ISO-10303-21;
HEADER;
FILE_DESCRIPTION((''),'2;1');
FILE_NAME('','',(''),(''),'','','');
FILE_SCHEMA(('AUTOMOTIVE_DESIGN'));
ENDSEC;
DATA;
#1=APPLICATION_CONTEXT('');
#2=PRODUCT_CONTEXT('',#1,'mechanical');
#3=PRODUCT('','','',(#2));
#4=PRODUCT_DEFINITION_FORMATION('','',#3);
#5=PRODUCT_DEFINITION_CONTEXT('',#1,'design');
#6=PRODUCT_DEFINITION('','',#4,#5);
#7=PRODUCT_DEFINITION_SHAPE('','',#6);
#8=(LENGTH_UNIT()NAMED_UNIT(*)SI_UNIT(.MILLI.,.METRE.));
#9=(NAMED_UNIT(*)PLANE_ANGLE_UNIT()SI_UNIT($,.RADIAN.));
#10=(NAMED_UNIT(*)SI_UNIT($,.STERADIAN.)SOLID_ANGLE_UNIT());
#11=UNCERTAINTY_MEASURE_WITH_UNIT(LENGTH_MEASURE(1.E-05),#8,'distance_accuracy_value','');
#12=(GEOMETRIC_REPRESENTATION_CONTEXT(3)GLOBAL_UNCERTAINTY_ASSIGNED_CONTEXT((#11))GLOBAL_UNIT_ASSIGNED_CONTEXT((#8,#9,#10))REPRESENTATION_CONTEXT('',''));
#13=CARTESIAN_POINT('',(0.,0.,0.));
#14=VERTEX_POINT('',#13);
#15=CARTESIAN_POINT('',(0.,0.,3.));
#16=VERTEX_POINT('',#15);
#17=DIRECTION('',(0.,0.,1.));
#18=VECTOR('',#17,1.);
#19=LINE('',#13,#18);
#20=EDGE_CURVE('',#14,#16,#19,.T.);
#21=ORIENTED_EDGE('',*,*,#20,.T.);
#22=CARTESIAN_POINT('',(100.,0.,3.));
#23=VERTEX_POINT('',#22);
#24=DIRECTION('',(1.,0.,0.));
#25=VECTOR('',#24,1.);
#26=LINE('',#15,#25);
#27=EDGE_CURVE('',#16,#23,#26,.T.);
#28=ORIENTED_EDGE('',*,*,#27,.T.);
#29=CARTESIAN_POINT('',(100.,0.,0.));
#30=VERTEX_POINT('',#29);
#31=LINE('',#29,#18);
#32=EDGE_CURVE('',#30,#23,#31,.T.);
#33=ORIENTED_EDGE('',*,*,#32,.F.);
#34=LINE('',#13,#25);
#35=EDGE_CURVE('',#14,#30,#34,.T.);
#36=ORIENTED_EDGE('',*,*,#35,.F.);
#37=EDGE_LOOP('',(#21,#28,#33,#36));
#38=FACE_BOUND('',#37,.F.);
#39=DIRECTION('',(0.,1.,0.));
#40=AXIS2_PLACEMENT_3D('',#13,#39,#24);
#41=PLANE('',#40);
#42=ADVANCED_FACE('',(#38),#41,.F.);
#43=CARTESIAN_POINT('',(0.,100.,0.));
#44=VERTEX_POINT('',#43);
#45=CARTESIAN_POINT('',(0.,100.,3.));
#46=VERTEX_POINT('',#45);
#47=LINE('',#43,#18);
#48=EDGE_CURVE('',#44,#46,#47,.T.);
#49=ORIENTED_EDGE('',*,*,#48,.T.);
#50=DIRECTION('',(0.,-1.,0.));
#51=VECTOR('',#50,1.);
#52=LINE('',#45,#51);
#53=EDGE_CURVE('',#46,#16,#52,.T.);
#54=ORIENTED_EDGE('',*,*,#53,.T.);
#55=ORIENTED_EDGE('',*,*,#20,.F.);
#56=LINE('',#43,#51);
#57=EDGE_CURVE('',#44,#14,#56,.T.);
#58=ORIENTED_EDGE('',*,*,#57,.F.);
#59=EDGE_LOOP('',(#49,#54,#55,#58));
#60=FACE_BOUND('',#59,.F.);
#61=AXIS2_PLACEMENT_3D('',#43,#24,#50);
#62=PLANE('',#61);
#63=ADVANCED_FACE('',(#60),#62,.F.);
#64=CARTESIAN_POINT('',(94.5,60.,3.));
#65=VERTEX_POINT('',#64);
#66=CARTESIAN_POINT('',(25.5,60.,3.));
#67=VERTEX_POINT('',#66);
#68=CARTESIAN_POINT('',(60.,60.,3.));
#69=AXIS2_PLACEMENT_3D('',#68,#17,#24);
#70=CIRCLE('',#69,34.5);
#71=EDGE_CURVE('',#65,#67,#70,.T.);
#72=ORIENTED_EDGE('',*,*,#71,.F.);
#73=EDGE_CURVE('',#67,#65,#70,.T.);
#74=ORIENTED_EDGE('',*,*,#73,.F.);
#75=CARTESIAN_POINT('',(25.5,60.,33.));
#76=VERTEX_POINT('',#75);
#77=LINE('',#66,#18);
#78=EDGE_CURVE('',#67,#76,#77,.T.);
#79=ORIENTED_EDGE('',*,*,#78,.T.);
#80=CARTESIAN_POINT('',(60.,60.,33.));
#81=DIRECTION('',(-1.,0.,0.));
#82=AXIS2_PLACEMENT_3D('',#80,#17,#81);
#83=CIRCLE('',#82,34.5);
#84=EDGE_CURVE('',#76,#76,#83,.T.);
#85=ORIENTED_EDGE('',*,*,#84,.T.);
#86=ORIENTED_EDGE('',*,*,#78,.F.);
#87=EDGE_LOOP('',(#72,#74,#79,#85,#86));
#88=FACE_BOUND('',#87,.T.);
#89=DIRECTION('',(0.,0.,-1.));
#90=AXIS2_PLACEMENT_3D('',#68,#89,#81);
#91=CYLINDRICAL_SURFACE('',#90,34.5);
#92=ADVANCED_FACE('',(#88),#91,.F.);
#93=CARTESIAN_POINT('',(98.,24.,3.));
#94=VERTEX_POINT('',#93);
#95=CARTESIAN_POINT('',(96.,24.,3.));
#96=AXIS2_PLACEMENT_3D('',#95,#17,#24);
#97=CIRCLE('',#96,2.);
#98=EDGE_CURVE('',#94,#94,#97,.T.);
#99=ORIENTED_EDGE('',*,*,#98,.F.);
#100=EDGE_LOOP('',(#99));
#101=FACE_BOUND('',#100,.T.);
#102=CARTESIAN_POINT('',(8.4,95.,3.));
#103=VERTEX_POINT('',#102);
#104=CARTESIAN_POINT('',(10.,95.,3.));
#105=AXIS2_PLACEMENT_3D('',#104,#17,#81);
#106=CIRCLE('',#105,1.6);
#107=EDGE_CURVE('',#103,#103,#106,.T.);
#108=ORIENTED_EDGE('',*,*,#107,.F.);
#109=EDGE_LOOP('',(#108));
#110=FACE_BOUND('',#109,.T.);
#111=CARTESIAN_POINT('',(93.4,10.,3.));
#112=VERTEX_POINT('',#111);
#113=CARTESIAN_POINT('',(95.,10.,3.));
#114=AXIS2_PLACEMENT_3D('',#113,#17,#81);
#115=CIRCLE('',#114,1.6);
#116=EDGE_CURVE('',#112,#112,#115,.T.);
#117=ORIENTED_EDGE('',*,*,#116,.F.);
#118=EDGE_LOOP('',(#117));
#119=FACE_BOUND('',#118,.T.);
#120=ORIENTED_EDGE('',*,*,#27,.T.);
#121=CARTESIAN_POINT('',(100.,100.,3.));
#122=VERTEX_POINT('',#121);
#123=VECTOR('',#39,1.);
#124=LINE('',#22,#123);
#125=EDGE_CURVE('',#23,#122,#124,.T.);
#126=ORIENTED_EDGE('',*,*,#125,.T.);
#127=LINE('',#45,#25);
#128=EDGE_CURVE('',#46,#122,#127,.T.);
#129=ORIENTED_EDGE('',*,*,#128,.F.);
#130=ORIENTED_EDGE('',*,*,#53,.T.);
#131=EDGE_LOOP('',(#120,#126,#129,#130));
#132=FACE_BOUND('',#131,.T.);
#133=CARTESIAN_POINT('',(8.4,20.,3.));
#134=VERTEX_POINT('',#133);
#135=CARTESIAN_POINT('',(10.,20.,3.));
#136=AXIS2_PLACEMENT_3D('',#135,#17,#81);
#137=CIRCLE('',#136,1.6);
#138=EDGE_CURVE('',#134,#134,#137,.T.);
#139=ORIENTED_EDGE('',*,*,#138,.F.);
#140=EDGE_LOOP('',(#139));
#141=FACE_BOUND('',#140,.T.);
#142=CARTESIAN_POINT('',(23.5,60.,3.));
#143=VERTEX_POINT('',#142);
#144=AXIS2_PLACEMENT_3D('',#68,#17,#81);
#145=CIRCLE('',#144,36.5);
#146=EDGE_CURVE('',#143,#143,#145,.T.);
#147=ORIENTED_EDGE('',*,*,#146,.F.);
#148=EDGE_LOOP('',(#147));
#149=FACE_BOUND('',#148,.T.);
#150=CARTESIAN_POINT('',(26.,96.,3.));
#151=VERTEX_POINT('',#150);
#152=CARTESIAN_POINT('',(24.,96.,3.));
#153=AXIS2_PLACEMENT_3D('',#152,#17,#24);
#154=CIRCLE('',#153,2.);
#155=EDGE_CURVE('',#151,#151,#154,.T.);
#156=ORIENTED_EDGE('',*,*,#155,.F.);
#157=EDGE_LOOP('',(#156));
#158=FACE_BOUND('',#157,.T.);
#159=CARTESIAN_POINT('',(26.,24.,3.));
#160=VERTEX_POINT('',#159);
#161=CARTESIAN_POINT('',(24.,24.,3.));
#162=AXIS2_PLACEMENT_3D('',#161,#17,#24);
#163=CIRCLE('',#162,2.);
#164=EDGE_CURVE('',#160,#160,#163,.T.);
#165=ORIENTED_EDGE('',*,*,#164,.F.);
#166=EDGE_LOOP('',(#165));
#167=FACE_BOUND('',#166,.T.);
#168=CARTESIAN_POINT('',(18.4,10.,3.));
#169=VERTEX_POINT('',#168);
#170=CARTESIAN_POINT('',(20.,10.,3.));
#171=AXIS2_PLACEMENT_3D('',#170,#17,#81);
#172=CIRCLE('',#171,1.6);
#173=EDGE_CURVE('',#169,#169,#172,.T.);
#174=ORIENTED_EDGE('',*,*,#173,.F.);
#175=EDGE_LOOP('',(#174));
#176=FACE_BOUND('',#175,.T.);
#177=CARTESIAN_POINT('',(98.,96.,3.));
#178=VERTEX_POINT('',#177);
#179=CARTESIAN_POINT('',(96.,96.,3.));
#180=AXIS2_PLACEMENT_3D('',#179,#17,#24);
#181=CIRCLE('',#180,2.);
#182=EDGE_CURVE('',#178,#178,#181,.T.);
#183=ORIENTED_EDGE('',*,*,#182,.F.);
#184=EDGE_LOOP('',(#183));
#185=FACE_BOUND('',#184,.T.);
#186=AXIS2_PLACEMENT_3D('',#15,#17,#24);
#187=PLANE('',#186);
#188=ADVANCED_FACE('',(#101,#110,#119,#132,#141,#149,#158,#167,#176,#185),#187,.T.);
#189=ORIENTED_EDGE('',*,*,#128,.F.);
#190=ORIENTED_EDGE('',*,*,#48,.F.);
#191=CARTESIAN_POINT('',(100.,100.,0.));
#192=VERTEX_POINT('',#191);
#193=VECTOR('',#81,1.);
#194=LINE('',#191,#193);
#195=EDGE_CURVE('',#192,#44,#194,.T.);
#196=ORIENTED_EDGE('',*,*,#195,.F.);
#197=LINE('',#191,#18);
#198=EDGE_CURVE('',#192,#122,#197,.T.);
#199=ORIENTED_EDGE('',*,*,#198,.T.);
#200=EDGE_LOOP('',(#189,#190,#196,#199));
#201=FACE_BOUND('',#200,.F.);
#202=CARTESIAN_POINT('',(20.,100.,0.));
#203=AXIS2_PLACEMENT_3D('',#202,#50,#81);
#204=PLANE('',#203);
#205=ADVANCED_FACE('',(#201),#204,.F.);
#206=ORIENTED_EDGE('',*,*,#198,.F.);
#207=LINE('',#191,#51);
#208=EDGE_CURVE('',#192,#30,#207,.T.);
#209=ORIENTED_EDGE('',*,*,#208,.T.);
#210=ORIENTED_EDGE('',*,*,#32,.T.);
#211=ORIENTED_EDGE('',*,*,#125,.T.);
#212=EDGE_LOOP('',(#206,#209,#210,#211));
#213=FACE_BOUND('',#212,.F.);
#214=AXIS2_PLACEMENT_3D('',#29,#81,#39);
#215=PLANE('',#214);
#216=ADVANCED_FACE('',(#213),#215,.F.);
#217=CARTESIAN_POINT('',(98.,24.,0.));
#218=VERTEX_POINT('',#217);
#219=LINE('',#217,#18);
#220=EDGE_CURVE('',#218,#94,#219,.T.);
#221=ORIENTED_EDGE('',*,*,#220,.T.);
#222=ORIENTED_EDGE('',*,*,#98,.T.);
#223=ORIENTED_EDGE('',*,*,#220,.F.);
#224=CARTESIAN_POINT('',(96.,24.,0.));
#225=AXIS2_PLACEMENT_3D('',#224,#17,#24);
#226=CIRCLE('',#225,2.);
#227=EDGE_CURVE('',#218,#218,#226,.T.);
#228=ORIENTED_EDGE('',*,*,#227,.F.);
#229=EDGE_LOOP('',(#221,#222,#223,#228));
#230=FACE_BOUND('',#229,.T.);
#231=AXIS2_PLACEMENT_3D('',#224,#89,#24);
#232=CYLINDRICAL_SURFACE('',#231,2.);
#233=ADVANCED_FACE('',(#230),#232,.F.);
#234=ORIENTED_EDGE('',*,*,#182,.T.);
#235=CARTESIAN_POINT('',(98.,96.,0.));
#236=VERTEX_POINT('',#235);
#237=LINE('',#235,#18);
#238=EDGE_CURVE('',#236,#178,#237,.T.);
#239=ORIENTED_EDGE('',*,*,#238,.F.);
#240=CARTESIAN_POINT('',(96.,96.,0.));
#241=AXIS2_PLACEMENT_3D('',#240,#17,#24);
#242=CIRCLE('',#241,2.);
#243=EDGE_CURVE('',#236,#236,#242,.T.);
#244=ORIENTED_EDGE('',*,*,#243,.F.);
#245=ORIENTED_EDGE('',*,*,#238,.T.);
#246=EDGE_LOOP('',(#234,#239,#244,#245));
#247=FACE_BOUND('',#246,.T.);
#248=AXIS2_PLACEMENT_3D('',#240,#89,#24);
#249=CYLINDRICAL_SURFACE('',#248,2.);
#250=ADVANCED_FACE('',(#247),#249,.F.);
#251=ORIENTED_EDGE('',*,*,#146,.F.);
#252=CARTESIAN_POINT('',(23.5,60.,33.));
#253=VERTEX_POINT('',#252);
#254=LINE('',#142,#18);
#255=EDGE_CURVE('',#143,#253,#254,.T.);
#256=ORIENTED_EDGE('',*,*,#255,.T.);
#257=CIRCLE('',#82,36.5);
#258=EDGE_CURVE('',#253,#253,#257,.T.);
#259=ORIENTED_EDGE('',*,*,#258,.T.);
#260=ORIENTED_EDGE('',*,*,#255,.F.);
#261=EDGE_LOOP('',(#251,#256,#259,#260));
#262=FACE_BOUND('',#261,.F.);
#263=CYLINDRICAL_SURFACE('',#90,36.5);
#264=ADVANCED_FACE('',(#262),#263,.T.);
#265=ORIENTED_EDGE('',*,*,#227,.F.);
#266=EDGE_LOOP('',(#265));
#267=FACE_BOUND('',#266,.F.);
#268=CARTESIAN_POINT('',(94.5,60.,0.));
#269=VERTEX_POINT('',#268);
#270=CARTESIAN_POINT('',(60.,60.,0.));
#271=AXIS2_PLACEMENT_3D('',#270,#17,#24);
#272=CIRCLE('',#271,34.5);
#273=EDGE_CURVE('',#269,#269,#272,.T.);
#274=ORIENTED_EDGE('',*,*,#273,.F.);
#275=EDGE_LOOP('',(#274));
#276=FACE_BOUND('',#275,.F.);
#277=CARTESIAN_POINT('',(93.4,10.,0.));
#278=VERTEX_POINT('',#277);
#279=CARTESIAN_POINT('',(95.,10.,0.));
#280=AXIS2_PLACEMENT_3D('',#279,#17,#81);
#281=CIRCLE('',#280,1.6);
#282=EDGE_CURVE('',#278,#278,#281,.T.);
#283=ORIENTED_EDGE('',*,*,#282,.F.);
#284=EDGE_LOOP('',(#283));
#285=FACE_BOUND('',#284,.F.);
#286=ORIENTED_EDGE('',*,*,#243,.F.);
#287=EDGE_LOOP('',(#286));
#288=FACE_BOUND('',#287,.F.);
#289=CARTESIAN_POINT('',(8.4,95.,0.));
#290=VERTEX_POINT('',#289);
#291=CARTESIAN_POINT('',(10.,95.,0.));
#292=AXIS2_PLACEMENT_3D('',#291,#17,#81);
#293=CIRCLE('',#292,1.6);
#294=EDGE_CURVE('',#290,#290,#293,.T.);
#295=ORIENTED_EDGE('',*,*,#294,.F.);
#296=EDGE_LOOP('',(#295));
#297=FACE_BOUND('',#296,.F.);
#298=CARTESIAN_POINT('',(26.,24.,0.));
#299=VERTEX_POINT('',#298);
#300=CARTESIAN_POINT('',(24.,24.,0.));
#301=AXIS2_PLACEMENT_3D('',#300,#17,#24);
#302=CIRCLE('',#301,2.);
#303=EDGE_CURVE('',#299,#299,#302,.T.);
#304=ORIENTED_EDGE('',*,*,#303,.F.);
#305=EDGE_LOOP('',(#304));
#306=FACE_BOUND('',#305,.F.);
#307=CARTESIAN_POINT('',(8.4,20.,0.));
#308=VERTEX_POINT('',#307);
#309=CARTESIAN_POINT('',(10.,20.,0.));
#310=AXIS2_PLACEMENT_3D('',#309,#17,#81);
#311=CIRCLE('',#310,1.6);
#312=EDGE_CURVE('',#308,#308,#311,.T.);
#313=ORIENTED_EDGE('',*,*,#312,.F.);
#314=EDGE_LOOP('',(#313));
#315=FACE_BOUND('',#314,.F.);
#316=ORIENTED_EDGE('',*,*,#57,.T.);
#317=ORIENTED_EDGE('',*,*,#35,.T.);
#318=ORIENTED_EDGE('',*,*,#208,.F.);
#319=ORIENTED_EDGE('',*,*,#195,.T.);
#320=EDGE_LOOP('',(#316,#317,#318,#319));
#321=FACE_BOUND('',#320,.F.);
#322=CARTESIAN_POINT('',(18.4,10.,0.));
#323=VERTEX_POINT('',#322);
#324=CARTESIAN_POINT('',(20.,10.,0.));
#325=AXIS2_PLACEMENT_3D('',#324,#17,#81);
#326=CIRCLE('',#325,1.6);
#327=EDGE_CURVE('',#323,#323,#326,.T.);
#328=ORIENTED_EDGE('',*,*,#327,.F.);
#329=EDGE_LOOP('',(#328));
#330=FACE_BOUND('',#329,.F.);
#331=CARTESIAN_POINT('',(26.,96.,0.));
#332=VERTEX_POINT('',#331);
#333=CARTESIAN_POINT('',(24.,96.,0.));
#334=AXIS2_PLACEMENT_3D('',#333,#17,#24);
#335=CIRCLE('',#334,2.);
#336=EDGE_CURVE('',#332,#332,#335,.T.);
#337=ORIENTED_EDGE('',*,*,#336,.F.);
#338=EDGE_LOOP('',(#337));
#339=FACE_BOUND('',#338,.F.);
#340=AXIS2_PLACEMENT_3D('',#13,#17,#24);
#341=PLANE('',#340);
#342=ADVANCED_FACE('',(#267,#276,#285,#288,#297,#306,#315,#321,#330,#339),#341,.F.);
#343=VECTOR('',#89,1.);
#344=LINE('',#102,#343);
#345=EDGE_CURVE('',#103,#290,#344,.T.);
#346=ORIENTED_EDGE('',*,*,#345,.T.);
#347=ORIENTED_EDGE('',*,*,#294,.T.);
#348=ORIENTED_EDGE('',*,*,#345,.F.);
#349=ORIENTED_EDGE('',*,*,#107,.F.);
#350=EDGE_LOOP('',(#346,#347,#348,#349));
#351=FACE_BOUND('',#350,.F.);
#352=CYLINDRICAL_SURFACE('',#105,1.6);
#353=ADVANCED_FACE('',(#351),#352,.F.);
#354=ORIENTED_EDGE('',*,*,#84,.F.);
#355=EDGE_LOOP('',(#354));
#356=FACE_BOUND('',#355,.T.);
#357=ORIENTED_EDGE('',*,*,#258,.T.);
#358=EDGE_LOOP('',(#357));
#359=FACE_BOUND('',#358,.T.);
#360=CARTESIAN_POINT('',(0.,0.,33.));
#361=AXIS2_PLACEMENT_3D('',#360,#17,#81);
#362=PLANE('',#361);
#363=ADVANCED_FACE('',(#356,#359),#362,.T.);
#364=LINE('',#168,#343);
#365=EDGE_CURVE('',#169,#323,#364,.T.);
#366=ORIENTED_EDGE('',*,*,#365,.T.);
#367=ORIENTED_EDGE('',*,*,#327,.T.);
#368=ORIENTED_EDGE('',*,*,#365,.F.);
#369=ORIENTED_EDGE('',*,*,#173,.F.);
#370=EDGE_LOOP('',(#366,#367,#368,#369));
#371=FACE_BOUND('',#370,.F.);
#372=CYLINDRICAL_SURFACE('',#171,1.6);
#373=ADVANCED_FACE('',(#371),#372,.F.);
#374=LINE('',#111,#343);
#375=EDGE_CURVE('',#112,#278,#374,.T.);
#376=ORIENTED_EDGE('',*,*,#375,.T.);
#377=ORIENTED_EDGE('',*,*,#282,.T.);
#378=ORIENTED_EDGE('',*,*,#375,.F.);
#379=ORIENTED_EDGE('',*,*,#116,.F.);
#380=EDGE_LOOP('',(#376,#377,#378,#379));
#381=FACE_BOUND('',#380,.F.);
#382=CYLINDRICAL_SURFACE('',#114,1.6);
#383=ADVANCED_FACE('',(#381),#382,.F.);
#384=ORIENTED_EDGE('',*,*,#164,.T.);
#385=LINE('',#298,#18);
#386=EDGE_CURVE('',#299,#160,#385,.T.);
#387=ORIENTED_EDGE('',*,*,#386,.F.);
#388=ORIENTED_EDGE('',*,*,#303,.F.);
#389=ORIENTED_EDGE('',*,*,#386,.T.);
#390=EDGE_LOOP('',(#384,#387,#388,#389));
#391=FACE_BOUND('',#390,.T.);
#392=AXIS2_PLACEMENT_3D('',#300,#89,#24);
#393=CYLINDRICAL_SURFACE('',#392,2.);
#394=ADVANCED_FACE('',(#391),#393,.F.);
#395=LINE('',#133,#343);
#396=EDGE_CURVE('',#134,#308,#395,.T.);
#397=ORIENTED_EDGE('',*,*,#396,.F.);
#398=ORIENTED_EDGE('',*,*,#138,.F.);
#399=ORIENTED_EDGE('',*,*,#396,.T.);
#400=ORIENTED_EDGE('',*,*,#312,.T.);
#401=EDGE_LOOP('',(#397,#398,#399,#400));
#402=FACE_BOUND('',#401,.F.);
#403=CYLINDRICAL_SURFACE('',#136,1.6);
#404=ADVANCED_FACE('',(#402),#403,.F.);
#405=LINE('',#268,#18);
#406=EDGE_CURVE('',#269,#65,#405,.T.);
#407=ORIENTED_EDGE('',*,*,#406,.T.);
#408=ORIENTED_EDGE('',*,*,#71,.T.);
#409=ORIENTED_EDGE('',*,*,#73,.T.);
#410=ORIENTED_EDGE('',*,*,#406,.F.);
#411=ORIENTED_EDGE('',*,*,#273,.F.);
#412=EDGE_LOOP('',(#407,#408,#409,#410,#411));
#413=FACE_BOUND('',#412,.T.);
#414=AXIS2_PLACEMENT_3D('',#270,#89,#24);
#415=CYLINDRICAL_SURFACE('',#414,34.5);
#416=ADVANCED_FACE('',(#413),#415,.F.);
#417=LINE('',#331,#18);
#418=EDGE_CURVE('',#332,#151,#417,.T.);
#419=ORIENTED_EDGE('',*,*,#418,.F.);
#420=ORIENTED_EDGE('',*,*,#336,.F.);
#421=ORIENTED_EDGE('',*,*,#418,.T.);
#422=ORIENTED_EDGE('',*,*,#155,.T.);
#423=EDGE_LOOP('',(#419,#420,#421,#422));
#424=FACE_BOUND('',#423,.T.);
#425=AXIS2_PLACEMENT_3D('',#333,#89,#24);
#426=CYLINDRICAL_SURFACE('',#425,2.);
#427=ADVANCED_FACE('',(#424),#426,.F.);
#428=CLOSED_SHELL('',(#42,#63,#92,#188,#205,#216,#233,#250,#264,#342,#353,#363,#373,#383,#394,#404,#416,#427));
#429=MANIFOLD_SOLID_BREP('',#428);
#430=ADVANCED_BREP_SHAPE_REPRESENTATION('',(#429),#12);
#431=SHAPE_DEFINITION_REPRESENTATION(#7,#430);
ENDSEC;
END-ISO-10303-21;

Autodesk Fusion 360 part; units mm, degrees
sketch "Skizze1" plane through (0, 0, 0) normal (0, 0, 1) x (1, 0, 0)
  line L0 (0, 0) -> (100, 0)
  line L1 (100, 0) -> (100, 100)
  line L2 (100, 100) -> (0, 100)
  line L3 (0, 100) -> (0, 0)
  line L4 (100, 100) -> (20, 100)
  line L5 (20, 100) -> (20, 20)
  line L6 (20, 20) -> (100, 20)
  line L7 (100, 20) -> (100, 100)
  circle A0 centre (96, 24) radius 2
  circle A1 centre (24, 96) radius 2
  circle A2 centre (96, 96) radius 2
  circle A3 centre (24, 24) radius 2
  circle A4 centre (60, 60) radius 34.5
  dimension "d1" = 100
  dimension "d2" = 100
  dimension "d3" = 80
  dimension "d4" = 80
  dimension "d5" = 72
  dimension "d6" = 72
  dimension "d9" = 4
  dimension "d10" = 4
  dimension "d11" = 4
  dimension "d12" = 4
  dimension "d13" = 69
extrude "Extrusion1" add sketch "Skizze1" along normal blind 3
sketch "Skizze2" plane through (0, 0, 3) normal (0, 0, 1) x (-1, 0, 0)
  circle A0 centre (-24, -24) radius 2
  circle A1 centre (-60, -60) radius 34.5
  circle A2 centre (-96, -24) radius 2
  circle A3 centre (-96, -96) radius 2
  circle A4 centre (-24, -96) radius 2
  line L0 (-100, 0) -> (-100, -100)
  line L1 (-100, -100) -> (0, -100)
  line L2 (0, -100) -> (0, 0)
  line L3 (0, 0) -> (-100, 0)
  circle A5 centre (-95, -10) radius 1.6
  circle A6 centre (-20, -10) radius 1.6
  circle A7 centre (-10, -20) radius 1.6
  circle A8 centre (-10, -95) radius 1.6
  dimension "d17" = 3.2
  dimension "d18" = 3.2
  dimension "d19" = 3.2
  dimension "d20" = 3.2
extrude "Extrusion2" cut sketch "Skizze2" against normal blind 10 contours A5 | A6 | A7 | A8
sketch "Skizze3" plane through (0, 0, 3) normal (0, 0, 1) x (-1, 0, 0)
  circle A0 centre (-10, -20) radius 1.6
  circle A1 centre (-95, -10) radius 1.6
  circle A2 centre (-20, -10) radius 1.6
  circle A3 centre (-10, -95) radius 1.6
  circle A4 centre (-96, -96) radius 2
  circle A5 centre (-24, -24) radius 2
  circle A6 centre (-24, -96) radius 2
  circle A7 centre (-60, -60) radius 34.5
  circle A8 centre (-96, -24) radius 2
  line L0 (-100, 0) -> (-100, -100)
  line L1 (-100, -100) -> (0, -100)
  line L2 (0, -100) -> (0, 0)
  line L3 (0, 0) -> (-100, 0)
  circle A9 centre (-60, -60) radius 36.5
  dimension "d23" = 73
extrude "Extrusion3" add sketch "Skizze3" along normal blind 30 contours A9
